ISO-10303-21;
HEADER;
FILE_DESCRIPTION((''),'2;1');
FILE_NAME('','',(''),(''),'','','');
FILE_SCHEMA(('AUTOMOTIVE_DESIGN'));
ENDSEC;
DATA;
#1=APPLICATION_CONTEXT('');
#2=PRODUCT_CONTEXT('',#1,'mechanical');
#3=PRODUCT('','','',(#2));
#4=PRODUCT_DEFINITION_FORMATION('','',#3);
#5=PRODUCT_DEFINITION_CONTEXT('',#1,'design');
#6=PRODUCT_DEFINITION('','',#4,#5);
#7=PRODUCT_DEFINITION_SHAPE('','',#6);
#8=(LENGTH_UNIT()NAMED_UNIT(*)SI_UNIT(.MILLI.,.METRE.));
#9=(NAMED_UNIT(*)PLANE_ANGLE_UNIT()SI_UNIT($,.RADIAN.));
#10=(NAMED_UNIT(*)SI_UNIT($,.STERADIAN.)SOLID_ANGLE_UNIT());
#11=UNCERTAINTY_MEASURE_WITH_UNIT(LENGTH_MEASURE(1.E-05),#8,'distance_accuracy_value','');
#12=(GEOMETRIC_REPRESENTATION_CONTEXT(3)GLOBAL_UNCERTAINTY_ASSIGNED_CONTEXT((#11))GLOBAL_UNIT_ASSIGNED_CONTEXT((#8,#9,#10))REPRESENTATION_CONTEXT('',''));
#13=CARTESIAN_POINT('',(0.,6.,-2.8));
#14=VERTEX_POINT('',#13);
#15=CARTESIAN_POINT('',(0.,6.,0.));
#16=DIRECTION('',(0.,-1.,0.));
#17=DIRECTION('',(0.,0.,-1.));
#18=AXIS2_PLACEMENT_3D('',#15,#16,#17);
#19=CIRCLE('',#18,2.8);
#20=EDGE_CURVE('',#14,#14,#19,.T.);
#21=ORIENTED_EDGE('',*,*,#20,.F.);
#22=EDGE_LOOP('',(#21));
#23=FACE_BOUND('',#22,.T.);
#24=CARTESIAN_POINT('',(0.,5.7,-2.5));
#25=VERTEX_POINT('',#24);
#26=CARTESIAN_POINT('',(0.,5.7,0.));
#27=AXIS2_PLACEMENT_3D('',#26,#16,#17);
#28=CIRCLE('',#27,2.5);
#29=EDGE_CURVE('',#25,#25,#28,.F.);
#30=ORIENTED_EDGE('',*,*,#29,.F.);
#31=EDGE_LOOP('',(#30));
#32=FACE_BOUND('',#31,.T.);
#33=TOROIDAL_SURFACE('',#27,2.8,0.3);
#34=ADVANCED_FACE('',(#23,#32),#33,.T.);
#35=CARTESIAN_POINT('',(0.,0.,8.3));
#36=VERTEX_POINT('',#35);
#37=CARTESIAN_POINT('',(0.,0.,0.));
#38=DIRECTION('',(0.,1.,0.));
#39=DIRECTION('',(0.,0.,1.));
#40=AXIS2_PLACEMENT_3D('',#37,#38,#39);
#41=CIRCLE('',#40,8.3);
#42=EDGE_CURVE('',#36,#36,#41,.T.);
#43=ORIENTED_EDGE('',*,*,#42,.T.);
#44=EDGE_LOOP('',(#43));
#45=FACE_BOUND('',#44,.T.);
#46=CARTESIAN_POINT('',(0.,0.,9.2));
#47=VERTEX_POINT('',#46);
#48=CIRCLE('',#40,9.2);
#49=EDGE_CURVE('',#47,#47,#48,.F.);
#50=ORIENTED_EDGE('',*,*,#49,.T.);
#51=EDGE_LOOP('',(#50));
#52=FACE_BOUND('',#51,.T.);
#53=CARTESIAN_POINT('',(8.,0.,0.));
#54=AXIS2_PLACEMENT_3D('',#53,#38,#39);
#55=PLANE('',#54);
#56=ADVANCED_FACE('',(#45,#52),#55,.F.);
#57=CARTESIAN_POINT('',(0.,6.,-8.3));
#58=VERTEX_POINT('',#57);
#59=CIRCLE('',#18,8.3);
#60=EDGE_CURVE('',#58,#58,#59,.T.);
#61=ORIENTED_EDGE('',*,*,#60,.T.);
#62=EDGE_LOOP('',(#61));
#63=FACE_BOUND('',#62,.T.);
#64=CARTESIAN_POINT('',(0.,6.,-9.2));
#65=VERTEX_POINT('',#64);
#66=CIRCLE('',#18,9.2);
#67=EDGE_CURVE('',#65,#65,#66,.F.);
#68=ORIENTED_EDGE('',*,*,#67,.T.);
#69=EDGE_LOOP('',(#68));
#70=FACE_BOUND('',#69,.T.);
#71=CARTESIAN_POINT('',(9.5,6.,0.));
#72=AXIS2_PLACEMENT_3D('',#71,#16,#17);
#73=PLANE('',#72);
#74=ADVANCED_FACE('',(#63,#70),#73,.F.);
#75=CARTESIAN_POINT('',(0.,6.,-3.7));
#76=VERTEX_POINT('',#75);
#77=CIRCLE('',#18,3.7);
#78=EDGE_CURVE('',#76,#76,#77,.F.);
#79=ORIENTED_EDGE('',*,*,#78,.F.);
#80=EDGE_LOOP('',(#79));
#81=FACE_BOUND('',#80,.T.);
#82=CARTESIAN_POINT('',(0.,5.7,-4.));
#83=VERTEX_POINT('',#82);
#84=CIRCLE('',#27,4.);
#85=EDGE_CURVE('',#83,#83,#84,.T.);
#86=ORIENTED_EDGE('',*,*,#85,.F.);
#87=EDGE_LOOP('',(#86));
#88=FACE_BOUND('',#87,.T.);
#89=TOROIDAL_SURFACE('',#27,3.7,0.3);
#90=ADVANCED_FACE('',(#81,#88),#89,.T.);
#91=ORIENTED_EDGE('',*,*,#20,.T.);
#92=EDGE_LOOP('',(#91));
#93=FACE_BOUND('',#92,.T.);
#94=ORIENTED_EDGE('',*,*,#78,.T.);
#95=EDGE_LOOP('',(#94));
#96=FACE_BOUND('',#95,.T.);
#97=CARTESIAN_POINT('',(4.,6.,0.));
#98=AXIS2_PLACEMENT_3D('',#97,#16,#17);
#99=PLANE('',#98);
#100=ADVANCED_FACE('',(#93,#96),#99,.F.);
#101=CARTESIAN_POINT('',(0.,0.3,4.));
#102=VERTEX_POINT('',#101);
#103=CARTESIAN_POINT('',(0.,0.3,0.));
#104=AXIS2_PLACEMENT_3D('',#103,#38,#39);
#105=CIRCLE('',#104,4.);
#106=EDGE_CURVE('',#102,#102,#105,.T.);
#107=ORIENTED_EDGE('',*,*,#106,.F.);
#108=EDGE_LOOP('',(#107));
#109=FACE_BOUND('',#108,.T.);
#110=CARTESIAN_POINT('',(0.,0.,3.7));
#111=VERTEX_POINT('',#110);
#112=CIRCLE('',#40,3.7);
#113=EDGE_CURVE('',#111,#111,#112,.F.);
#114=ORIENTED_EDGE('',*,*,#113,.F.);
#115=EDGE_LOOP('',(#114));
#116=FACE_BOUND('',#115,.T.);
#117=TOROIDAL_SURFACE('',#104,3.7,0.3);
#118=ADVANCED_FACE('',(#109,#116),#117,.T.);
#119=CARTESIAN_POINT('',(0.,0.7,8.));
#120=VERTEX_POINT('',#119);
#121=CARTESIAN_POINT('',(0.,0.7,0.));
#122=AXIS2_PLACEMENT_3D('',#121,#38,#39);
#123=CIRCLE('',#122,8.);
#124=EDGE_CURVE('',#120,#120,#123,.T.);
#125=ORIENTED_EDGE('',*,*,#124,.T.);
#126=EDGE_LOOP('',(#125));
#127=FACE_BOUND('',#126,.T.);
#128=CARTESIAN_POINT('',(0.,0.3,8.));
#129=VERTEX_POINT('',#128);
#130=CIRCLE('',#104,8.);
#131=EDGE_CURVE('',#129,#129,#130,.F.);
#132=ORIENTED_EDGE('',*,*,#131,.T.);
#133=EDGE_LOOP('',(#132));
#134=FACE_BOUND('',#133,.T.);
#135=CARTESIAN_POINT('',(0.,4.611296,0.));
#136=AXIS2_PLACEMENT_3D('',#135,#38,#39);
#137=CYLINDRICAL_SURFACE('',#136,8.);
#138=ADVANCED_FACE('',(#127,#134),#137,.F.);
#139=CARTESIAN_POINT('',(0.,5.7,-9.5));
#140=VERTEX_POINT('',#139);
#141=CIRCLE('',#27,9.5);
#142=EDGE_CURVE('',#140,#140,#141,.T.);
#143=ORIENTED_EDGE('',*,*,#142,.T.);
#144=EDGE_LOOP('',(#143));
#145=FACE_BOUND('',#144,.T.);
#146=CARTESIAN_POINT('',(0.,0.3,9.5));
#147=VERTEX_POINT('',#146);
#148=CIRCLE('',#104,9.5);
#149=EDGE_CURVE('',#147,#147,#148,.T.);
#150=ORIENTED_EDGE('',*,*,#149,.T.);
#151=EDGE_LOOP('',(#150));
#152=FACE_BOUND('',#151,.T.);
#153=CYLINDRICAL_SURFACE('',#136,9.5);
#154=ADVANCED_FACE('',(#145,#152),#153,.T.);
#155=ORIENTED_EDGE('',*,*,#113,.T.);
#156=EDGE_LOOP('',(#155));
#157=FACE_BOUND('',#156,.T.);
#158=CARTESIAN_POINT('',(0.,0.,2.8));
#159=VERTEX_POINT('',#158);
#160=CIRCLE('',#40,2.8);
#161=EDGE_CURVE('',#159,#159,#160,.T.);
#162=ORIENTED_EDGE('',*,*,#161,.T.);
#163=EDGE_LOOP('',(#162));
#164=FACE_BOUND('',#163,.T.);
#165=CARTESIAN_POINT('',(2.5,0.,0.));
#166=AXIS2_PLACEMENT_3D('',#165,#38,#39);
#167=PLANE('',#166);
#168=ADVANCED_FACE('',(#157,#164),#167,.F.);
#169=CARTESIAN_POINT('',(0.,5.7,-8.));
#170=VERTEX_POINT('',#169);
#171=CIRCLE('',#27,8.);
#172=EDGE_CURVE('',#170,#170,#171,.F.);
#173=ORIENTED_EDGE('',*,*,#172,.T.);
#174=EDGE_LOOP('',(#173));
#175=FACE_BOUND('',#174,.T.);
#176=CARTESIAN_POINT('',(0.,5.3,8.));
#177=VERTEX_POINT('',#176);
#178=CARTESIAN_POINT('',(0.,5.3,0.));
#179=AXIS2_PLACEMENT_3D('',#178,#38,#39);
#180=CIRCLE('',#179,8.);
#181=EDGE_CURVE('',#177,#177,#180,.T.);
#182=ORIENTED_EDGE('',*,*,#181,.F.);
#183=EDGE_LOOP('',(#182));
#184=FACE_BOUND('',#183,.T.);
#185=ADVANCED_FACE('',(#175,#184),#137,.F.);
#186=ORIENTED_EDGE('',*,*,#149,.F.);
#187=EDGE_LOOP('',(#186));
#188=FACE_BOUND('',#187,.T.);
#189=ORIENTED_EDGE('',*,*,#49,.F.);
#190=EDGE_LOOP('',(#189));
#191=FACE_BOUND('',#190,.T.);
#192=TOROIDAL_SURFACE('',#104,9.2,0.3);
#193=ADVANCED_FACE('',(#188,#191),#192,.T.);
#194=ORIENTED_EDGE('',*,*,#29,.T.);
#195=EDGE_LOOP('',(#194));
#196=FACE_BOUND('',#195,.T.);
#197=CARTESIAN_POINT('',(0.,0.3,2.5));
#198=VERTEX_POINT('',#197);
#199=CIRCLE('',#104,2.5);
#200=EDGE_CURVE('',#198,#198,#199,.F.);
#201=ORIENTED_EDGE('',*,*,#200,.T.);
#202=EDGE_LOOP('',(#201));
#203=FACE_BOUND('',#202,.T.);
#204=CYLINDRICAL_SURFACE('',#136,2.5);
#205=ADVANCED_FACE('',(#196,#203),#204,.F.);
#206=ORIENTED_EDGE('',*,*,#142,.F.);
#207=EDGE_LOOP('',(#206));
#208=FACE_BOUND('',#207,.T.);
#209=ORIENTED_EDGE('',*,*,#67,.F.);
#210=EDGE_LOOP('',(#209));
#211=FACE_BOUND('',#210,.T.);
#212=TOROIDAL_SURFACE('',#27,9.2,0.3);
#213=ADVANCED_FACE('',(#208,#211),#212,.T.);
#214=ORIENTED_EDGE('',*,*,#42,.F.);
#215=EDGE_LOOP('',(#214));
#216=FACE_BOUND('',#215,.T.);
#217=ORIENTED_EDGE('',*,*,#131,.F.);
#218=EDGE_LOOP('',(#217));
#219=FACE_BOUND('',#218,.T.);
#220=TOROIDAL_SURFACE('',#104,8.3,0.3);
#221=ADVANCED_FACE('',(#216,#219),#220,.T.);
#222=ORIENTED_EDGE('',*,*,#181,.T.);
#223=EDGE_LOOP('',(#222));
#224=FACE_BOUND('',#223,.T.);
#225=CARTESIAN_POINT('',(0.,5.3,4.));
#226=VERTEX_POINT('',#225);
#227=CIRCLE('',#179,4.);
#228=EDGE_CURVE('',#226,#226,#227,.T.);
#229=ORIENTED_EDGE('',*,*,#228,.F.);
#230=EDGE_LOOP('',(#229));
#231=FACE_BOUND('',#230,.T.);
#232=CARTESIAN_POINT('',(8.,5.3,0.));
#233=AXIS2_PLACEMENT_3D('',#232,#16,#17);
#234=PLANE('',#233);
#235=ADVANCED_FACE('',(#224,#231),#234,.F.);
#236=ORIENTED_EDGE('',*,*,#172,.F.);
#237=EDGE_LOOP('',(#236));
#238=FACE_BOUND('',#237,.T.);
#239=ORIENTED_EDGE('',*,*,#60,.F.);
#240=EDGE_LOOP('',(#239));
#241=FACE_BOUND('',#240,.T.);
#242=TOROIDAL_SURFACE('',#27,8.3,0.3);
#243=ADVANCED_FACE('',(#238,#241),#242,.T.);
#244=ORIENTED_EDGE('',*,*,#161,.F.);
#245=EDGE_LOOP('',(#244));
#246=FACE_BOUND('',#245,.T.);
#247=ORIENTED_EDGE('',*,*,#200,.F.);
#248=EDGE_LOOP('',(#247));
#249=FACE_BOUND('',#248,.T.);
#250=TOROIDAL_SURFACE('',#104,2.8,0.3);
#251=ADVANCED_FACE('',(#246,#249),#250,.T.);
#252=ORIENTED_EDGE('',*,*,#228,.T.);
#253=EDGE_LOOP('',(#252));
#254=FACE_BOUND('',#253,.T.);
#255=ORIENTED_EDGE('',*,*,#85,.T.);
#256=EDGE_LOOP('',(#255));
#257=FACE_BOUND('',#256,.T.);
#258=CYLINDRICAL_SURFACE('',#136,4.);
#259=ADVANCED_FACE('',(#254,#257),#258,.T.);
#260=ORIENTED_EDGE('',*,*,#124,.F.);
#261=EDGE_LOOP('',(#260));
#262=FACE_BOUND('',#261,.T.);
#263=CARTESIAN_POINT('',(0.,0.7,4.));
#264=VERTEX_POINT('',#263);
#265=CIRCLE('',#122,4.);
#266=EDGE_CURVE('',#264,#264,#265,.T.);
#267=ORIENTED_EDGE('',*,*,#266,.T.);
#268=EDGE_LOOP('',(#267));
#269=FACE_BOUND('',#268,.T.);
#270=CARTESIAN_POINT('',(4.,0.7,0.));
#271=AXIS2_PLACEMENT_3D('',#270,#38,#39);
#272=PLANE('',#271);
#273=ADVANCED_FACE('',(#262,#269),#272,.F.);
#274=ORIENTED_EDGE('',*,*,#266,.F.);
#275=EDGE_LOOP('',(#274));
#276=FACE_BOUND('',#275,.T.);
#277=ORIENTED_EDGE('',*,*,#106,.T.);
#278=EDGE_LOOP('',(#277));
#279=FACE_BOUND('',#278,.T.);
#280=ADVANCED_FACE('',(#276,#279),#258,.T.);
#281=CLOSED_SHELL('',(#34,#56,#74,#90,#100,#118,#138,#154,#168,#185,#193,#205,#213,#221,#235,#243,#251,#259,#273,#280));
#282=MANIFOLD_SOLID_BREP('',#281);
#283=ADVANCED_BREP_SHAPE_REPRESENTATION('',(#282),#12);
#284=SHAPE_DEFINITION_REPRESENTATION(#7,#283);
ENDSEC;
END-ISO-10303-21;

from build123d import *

# Parameters (mm, degrees)
FILLET_1_R = 0.3


with BuildPart() as part:
    # 草图1 → 旋转1 (revolve)
    with BuildSketch(Plane.XY, mode=Mode.PRIVATE) as revolve_1_sk:
        Polygon((2.5, 6), (2.5, 0), (4, 0), (4, 0.7), (8, 0.7), (8, 0), (9.5, 0), (9.5, 6), (8, 6), (8, 5.3), (4, 5.3), (4, 6), align=None)
    revolve(revolve_1_sk.sketch.rotate(Axis((0, 4.611296038, 0), (0, -1, 0)), 90), axis=Axis((0, 4.611296038, 0), (0, -1, 0)))

    # 圆角1
    fillet_1_edges = [part.edges().sort_by_distance(p)[0] for p in [
        (0, 6, -8),
        (0, 6, -9.5),
        (0, 0, -9.5),
        (0, 0, -8),
        (0, 0, -4),
        (0, 0, -2.5),
        (0, 6, -2.5),
        (0, 6, -4),
    ]]
    fillet(fillet_1_edges, radius=FILLET_1_R)


solid = part.part
